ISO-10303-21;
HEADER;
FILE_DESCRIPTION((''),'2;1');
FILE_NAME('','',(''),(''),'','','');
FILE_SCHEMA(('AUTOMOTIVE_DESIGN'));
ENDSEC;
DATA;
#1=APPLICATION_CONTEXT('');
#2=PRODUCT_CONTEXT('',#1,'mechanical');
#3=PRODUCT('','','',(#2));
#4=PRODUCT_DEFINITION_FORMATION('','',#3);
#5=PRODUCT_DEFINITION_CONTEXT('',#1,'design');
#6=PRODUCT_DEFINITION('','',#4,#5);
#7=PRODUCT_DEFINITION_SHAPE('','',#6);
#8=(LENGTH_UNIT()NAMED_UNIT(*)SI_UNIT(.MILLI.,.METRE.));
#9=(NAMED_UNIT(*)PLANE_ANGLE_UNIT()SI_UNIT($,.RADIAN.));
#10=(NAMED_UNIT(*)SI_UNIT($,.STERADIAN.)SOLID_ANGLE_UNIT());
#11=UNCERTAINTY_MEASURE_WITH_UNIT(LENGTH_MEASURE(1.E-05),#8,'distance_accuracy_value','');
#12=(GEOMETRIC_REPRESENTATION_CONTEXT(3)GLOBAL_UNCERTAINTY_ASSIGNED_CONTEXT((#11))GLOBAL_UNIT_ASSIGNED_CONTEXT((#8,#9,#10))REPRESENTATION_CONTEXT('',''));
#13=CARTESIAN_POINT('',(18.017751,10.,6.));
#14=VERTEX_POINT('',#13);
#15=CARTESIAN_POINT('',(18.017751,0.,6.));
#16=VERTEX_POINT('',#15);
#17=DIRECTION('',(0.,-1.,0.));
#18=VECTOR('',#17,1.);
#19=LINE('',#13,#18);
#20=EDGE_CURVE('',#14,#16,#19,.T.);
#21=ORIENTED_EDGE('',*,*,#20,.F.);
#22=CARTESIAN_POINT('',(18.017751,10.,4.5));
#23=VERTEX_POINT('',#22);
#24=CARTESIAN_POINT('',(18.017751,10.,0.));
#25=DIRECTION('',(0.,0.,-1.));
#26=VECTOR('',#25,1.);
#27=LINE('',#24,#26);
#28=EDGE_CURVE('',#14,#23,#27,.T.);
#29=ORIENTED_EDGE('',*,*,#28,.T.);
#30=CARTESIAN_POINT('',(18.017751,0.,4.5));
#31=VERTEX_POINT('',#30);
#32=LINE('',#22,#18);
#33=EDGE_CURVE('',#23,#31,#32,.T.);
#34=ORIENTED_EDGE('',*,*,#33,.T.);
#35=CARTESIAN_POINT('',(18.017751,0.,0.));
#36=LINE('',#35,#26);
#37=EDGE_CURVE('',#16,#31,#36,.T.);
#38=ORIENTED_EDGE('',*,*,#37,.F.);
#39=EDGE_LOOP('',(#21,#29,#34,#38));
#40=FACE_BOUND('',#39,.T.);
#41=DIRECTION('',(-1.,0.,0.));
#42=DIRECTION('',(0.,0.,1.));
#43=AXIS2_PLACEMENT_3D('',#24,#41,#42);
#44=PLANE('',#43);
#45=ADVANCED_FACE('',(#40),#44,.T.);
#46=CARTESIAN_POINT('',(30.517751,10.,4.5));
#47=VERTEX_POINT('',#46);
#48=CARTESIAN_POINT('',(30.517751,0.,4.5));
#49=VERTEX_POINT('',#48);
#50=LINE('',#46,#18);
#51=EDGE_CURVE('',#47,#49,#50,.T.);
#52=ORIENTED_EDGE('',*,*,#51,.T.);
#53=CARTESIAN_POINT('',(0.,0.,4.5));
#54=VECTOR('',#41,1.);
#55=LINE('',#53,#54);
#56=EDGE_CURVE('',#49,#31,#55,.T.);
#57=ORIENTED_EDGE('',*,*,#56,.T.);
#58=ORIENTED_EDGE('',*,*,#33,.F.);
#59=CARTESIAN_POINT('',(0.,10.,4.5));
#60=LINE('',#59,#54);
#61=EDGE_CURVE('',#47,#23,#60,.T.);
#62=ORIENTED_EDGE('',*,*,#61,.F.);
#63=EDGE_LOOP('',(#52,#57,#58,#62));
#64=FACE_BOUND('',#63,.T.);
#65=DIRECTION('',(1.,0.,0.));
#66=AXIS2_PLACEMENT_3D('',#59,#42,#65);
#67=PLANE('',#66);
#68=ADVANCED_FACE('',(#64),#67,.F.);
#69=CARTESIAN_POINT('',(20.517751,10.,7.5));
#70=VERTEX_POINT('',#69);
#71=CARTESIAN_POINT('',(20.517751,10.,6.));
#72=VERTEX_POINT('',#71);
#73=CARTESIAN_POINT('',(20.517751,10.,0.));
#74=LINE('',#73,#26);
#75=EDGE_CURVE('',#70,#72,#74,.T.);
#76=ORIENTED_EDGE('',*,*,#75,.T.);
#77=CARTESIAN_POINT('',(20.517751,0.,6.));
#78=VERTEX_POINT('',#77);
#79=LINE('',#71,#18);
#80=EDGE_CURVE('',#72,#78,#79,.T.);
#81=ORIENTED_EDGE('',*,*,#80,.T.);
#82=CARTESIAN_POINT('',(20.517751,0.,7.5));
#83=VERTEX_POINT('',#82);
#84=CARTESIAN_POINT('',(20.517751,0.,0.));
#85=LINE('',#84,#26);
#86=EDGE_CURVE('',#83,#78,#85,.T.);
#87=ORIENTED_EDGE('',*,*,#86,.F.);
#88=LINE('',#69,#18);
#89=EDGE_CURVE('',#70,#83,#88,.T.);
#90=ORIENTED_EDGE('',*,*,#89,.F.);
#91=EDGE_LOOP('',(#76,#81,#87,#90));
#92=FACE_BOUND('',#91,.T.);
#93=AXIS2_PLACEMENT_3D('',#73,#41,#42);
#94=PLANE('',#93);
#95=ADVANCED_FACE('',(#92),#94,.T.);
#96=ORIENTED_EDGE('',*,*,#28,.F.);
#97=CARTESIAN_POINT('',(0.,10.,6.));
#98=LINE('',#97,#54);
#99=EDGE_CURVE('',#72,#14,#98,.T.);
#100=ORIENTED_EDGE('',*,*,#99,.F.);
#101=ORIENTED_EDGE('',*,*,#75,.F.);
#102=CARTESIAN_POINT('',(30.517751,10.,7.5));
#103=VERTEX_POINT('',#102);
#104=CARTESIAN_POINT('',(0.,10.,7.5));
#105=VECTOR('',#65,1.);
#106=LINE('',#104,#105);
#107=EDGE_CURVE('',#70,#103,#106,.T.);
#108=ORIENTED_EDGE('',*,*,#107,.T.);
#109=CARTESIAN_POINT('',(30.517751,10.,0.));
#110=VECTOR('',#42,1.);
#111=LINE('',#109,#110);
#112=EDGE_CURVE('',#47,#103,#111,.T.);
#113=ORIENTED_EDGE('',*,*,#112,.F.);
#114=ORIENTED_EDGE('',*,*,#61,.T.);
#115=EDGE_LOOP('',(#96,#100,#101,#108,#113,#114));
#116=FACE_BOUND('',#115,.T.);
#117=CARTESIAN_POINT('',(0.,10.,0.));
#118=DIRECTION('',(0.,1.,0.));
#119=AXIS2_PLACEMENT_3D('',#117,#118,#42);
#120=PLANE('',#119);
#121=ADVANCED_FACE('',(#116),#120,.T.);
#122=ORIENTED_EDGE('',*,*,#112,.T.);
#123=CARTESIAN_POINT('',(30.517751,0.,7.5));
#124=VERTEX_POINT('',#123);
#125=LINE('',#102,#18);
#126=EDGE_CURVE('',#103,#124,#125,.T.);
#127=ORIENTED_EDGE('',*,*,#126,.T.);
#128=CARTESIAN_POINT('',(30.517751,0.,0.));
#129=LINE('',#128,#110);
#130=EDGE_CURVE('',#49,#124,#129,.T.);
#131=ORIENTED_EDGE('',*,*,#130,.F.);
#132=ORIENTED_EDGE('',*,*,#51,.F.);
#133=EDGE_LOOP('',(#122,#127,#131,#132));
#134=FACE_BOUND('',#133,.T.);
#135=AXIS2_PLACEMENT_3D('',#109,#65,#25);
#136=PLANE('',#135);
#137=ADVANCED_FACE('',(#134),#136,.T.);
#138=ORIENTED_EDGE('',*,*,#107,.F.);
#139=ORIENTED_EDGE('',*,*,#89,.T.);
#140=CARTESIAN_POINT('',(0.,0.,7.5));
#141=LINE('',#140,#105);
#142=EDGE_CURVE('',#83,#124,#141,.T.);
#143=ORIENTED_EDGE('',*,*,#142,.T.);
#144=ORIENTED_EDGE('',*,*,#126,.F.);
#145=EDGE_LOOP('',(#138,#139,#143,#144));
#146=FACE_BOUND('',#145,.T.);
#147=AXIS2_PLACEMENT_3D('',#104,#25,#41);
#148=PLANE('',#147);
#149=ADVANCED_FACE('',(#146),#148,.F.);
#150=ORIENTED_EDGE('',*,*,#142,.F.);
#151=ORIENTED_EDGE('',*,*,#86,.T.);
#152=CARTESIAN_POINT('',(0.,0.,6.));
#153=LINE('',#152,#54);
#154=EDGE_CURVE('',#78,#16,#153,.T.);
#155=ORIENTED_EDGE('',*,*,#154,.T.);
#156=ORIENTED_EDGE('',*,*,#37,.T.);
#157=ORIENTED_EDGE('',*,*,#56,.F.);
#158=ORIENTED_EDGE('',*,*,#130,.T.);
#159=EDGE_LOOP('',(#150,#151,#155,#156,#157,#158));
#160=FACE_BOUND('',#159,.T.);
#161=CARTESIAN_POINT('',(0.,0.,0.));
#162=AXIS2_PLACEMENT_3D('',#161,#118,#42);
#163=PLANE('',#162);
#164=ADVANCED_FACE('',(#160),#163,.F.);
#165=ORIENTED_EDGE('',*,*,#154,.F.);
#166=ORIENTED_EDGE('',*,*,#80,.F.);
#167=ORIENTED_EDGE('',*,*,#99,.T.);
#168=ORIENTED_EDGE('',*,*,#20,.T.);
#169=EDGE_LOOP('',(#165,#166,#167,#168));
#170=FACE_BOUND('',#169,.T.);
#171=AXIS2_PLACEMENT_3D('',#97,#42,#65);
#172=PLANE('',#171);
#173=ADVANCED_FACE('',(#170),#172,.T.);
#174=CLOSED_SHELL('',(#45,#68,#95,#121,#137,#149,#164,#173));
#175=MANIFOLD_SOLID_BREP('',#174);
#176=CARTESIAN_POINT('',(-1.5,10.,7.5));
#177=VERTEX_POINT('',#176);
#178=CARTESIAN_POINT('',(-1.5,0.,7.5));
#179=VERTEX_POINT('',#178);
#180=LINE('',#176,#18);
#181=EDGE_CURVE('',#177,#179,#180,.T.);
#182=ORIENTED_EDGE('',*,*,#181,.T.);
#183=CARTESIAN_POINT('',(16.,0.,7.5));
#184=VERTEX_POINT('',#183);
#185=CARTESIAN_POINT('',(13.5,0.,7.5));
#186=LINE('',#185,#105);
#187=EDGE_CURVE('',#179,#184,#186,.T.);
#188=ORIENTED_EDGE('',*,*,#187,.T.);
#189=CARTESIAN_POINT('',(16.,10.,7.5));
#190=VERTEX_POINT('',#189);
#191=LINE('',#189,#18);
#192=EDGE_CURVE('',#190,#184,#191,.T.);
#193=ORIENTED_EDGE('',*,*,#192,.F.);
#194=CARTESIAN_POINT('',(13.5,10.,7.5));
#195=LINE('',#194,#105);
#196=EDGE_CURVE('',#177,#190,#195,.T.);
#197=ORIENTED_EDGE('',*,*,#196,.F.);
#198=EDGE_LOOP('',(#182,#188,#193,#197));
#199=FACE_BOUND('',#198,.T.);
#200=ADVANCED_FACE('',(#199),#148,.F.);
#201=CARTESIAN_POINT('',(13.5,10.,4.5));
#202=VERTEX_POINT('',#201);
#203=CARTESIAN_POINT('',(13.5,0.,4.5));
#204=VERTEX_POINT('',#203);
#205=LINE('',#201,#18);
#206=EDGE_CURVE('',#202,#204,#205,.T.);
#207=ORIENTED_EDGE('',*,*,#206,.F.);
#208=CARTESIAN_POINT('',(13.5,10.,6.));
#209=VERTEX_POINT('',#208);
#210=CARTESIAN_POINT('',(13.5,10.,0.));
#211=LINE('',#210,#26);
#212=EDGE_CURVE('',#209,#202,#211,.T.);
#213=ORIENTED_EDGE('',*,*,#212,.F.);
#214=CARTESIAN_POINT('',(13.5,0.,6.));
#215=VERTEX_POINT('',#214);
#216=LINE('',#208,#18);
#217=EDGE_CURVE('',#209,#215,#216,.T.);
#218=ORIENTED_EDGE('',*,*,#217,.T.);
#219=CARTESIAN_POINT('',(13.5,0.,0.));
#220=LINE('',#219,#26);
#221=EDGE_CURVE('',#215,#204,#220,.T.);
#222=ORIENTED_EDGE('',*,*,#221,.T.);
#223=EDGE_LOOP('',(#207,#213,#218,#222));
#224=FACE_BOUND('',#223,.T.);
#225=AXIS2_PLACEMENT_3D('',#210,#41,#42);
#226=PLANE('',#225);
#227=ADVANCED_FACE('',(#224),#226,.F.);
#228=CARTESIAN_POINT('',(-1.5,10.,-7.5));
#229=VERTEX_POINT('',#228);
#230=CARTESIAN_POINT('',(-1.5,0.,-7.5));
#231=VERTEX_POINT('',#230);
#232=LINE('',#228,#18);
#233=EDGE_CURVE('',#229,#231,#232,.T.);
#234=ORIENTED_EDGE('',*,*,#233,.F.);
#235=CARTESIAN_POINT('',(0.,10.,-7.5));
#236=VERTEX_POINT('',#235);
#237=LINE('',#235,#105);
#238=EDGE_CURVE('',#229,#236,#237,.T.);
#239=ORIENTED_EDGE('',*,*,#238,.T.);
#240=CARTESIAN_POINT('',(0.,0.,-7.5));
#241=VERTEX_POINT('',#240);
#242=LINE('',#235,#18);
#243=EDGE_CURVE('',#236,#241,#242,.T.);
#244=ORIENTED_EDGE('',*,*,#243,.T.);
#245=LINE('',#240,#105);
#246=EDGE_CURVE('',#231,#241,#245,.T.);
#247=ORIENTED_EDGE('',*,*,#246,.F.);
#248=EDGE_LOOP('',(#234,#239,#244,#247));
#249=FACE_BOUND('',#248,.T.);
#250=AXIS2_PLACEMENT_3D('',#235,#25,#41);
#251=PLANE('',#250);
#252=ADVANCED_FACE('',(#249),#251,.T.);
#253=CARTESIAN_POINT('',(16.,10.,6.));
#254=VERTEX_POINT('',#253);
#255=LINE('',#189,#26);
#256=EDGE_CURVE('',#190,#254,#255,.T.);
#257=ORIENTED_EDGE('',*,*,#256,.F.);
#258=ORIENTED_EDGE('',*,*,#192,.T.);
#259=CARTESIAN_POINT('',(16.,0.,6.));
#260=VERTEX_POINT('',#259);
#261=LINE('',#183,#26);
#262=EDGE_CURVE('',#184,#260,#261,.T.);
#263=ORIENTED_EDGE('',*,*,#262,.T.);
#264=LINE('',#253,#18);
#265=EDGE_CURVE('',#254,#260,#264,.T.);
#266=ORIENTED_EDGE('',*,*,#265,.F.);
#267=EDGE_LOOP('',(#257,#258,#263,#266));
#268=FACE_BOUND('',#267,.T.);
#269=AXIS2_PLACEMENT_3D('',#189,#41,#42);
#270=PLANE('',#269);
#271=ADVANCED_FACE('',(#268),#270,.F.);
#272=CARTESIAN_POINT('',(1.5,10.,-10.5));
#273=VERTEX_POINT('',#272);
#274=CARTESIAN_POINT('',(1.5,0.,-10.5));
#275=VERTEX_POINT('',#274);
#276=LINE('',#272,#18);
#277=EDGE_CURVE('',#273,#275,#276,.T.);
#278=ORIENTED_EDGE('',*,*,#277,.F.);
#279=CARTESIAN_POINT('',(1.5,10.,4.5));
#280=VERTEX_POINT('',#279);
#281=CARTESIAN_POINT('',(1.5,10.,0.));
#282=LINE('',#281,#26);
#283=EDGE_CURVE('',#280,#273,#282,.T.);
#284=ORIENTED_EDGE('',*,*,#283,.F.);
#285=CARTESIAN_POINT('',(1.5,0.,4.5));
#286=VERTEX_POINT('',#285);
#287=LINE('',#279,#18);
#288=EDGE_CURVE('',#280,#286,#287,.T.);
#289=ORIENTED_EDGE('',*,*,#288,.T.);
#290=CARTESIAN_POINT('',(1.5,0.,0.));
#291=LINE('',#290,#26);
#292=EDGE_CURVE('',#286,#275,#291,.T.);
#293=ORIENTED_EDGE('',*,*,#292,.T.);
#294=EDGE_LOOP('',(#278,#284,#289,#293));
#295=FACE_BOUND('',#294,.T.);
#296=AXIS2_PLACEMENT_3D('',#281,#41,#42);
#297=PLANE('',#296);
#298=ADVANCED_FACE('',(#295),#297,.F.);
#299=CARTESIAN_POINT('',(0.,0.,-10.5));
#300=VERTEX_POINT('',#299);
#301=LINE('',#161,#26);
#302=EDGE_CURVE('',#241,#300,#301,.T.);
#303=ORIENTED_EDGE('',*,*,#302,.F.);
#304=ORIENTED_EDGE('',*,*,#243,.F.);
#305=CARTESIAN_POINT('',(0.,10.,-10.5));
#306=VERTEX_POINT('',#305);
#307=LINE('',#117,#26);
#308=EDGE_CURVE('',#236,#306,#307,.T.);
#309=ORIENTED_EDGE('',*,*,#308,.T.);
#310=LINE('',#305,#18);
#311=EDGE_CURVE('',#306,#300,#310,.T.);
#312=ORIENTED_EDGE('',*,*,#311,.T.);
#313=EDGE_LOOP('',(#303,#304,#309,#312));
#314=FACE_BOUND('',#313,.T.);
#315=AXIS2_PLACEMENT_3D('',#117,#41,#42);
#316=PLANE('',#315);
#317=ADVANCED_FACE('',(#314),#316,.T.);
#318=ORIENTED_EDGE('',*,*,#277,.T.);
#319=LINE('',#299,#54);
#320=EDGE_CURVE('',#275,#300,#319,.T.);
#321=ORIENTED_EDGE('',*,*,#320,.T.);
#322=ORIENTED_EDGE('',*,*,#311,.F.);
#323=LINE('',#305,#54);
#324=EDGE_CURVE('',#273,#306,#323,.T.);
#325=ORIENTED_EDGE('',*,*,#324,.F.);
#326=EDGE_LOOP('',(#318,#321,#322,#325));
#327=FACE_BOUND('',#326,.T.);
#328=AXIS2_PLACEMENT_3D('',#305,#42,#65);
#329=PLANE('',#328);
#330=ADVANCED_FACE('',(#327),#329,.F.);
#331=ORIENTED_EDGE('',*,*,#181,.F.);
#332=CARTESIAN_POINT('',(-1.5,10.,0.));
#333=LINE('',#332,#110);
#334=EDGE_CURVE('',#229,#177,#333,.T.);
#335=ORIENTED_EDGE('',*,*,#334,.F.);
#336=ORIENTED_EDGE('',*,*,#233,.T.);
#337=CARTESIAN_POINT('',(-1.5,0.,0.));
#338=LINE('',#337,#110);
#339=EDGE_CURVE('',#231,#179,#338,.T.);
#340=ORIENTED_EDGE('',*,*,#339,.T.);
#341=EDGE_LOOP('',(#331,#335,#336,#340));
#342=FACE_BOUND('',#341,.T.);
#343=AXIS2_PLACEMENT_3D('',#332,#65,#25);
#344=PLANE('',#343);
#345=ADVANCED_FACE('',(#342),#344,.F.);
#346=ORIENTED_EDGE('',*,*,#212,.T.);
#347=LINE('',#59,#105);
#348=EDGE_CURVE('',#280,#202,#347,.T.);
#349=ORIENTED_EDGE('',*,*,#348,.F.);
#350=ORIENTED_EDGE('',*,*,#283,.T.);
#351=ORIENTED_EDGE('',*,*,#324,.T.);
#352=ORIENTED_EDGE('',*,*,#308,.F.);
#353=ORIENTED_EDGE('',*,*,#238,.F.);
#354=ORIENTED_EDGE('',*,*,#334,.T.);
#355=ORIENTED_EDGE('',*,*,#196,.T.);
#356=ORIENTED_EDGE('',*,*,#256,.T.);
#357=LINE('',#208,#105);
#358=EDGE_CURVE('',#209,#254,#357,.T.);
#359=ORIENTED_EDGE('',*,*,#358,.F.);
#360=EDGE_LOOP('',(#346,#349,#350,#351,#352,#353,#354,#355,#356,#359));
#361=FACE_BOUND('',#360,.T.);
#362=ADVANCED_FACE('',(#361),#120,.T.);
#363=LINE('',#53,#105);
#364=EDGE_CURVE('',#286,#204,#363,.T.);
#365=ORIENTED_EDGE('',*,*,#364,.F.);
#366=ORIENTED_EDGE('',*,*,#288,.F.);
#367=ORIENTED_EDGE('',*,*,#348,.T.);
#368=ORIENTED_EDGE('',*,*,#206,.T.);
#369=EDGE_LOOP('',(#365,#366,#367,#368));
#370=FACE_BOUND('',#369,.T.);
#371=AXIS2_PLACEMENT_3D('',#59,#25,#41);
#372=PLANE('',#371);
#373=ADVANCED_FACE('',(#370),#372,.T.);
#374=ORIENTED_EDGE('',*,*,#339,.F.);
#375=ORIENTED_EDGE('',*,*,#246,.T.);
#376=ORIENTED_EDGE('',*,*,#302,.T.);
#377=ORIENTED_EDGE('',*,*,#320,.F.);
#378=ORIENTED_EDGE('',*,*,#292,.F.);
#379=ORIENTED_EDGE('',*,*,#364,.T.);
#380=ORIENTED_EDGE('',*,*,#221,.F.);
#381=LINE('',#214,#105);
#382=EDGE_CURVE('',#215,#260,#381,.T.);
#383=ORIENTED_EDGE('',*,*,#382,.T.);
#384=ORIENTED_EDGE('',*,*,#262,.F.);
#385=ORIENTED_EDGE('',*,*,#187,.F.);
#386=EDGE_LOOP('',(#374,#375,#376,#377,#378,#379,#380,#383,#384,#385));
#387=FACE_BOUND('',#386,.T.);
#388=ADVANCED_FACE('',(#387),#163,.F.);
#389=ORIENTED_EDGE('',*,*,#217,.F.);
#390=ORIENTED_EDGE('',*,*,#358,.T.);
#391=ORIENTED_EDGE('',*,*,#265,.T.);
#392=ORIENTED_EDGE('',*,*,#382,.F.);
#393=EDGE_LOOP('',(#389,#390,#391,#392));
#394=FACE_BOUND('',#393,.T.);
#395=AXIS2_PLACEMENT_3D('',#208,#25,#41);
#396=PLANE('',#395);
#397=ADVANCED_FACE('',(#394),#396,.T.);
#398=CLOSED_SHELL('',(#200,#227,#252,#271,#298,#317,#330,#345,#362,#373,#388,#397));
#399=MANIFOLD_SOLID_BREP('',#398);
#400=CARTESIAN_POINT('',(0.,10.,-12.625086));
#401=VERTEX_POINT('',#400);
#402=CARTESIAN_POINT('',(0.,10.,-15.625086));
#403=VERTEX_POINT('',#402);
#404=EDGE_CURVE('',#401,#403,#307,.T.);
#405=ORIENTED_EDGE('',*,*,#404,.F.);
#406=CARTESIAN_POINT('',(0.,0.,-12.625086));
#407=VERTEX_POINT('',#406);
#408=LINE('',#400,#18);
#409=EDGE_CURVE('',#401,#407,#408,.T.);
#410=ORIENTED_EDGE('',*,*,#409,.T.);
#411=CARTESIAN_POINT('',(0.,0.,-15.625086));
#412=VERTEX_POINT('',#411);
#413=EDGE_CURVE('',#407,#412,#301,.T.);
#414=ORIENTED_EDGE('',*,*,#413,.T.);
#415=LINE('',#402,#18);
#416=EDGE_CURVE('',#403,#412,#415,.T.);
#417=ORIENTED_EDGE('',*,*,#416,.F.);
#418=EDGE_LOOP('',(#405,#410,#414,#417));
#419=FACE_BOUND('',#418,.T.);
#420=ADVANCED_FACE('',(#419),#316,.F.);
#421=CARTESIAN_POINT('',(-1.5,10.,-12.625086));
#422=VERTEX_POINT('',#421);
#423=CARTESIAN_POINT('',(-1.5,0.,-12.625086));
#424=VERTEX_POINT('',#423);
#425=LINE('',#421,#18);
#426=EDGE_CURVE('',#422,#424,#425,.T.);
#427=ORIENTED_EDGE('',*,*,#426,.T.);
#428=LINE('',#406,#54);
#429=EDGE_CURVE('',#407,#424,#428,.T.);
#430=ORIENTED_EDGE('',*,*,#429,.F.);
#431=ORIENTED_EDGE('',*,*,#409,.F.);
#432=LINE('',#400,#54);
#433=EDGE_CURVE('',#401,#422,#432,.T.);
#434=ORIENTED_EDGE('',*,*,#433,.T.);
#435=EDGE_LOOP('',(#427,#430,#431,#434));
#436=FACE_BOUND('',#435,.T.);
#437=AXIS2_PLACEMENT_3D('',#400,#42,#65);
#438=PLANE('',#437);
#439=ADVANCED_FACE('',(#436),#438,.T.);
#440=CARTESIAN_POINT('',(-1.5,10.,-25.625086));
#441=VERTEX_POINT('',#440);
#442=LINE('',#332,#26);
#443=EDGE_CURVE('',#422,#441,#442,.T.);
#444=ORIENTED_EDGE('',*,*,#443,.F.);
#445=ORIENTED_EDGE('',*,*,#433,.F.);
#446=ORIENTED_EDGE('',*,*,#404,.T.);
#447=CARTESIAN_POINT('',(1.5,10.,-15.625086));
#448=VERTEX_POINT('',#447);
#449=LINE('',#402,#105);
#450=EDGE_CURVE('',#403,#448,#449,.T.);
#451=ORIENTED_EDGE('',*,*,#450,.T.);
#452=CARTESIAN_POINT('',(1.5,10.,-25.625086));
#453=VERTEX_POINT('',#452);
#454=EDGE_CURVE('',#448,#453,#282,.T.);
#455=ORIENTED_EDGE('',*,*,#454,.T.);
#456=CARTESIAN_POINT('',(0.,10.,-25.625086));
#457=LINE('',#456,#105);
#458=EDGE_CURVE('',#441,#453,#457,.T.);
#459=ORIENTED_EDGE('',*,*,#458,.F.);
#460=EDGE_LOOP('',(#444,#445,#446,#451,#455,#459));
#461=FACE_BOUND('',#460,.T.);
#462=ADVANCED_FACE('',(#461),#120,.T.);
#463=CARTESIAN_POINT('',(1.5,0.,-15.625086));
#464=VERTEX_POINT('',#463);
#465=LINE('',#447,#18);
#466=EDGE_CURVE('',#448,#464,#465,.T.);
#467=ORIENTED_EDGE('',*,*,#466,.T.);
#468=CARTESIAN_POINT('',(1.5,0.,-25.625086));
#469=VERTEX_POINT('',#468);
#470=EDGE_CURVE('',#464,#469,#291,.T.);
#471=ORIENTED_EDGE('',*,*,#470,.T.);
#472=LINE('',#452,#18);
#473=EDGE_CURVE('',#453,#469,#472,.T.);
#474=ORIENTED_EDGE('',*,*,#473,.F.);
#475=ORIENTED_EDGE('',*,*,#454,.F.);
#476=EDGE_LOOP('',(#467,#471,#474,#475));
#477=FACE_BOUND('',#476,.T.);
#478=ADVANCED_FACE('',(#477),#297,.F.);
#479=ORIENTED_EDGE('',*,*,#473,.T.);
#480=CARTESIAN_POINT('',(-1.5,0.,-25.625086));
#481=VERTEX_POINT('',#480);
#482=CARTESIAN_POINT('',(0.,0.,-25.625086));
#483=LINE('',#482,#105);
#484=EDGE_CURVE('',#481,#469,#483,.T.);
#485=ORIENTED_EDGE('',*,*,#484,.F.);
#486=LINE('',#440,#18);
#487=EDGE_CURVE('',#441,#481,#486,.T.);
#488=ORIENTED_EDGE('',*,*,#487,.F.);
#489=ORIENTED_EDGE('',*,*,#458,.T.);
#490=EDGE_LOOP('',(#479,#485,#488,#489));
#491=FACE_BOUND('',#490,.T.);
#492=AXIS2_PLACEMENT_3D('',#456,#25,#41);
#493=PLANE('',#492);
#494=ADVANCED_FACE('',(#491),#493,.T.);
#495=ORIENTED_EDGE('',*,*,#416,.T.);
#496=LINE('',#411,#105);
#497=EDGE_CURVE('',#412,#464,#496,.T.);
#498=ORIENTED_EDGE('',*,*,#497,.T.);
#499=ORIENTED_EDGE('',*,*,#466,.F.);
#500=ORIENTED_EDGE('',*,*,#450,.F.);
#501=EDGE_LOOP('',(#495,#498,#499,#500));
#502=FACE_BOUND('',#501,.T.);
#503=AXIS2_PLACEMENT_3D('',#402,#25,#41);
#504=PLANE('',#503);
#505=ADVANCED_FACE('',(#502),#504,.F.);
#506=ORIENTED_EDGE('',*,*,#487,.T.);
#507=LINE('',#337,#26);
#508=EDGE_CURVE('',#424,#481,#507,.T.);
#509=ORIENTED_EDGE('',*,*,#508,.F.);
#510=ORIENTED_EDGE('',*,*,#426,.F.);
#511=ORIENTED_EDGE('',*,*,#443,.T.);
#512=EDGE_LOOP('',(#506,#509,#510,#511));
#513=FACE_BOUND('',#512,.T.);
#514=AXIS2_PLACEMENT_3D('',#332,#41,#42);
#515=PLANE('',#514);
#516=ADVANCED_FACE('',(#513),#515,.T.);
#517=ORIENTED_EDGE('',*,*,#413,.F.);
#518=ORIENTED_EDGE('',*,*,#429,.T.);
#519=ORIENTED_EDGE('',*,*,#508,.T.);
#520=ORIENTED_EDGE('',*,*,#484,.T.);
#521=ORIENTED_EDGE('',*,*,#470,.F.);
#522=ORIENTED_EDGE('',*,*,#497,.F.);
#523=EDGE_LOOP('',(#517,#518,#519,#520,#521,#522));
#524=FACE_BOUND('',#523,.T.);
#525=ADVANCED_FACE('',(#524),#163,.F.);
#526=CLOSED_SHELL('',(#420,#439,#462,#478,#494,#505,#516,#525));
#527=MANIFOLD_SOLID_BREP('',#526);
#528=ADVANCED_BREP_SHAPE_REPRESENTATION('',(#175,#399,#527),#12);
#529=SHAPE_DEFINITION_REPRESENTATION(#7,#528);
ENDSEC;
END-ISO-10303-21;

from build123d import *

# Parameters (mm, degrees)
SKETCH1_W           = 1.5
SKETCH1_H           = 3
SKETCH1_W_2         = 3
SKETCH1_H_2         = 15
SKETCH1_W_3         = 2.5
SKETCH1_H_3         = 1.5
BOSS_EXTRUDE2_DEPTH = 10


with BuildPart() as part:
    # Sketch1 → Boss-Extrude2 (new body)
    with BuildSketch(Plane(origin=(0, 0, 0), x_dir=(1, 0, 0), z_dir=(0, 1, 0))):
        Polygon((-1.5, 15.625086096), (0, 15.625086096), (1.5, 15.625086096), (1.5, 25.625086096), (-1.5, 25.625086096), align=None)
        with Locations((-0.75, 14.125086096)):
            Rectangle(SKETCH1_W, SKETCH1_H)
        with Locations((0.75, 9)):
            Rectangle(SKETCH1_W, SKETCH1_H)
        Rectangle(SKETCH1_W_2, SKETCH1_H_2)
        Polygon((1.5, -4.5), (1.5, -7.5), (13.5, -7.5), (13.5, -6), (13.5, -4.5), align=None)
        with Locations((19.267750949, -5.25)):
            Rectangle(SKETCH1_W_3, SKETCH1_H_3)
        Polygon((20.517750949, -4.5), (20.517750949, -6), (20.517750949, -7.5), (30.517750949, -7.5), (30.517750949, -4.5), align=None)
        with Locations((14.75, -6.75)):
            Rectangle(SKETCH1_W_3, SKETCH1_H_3)
    extrude(amount=BOSS_EXTRUDE2_DEPTH)


solid = part.part
